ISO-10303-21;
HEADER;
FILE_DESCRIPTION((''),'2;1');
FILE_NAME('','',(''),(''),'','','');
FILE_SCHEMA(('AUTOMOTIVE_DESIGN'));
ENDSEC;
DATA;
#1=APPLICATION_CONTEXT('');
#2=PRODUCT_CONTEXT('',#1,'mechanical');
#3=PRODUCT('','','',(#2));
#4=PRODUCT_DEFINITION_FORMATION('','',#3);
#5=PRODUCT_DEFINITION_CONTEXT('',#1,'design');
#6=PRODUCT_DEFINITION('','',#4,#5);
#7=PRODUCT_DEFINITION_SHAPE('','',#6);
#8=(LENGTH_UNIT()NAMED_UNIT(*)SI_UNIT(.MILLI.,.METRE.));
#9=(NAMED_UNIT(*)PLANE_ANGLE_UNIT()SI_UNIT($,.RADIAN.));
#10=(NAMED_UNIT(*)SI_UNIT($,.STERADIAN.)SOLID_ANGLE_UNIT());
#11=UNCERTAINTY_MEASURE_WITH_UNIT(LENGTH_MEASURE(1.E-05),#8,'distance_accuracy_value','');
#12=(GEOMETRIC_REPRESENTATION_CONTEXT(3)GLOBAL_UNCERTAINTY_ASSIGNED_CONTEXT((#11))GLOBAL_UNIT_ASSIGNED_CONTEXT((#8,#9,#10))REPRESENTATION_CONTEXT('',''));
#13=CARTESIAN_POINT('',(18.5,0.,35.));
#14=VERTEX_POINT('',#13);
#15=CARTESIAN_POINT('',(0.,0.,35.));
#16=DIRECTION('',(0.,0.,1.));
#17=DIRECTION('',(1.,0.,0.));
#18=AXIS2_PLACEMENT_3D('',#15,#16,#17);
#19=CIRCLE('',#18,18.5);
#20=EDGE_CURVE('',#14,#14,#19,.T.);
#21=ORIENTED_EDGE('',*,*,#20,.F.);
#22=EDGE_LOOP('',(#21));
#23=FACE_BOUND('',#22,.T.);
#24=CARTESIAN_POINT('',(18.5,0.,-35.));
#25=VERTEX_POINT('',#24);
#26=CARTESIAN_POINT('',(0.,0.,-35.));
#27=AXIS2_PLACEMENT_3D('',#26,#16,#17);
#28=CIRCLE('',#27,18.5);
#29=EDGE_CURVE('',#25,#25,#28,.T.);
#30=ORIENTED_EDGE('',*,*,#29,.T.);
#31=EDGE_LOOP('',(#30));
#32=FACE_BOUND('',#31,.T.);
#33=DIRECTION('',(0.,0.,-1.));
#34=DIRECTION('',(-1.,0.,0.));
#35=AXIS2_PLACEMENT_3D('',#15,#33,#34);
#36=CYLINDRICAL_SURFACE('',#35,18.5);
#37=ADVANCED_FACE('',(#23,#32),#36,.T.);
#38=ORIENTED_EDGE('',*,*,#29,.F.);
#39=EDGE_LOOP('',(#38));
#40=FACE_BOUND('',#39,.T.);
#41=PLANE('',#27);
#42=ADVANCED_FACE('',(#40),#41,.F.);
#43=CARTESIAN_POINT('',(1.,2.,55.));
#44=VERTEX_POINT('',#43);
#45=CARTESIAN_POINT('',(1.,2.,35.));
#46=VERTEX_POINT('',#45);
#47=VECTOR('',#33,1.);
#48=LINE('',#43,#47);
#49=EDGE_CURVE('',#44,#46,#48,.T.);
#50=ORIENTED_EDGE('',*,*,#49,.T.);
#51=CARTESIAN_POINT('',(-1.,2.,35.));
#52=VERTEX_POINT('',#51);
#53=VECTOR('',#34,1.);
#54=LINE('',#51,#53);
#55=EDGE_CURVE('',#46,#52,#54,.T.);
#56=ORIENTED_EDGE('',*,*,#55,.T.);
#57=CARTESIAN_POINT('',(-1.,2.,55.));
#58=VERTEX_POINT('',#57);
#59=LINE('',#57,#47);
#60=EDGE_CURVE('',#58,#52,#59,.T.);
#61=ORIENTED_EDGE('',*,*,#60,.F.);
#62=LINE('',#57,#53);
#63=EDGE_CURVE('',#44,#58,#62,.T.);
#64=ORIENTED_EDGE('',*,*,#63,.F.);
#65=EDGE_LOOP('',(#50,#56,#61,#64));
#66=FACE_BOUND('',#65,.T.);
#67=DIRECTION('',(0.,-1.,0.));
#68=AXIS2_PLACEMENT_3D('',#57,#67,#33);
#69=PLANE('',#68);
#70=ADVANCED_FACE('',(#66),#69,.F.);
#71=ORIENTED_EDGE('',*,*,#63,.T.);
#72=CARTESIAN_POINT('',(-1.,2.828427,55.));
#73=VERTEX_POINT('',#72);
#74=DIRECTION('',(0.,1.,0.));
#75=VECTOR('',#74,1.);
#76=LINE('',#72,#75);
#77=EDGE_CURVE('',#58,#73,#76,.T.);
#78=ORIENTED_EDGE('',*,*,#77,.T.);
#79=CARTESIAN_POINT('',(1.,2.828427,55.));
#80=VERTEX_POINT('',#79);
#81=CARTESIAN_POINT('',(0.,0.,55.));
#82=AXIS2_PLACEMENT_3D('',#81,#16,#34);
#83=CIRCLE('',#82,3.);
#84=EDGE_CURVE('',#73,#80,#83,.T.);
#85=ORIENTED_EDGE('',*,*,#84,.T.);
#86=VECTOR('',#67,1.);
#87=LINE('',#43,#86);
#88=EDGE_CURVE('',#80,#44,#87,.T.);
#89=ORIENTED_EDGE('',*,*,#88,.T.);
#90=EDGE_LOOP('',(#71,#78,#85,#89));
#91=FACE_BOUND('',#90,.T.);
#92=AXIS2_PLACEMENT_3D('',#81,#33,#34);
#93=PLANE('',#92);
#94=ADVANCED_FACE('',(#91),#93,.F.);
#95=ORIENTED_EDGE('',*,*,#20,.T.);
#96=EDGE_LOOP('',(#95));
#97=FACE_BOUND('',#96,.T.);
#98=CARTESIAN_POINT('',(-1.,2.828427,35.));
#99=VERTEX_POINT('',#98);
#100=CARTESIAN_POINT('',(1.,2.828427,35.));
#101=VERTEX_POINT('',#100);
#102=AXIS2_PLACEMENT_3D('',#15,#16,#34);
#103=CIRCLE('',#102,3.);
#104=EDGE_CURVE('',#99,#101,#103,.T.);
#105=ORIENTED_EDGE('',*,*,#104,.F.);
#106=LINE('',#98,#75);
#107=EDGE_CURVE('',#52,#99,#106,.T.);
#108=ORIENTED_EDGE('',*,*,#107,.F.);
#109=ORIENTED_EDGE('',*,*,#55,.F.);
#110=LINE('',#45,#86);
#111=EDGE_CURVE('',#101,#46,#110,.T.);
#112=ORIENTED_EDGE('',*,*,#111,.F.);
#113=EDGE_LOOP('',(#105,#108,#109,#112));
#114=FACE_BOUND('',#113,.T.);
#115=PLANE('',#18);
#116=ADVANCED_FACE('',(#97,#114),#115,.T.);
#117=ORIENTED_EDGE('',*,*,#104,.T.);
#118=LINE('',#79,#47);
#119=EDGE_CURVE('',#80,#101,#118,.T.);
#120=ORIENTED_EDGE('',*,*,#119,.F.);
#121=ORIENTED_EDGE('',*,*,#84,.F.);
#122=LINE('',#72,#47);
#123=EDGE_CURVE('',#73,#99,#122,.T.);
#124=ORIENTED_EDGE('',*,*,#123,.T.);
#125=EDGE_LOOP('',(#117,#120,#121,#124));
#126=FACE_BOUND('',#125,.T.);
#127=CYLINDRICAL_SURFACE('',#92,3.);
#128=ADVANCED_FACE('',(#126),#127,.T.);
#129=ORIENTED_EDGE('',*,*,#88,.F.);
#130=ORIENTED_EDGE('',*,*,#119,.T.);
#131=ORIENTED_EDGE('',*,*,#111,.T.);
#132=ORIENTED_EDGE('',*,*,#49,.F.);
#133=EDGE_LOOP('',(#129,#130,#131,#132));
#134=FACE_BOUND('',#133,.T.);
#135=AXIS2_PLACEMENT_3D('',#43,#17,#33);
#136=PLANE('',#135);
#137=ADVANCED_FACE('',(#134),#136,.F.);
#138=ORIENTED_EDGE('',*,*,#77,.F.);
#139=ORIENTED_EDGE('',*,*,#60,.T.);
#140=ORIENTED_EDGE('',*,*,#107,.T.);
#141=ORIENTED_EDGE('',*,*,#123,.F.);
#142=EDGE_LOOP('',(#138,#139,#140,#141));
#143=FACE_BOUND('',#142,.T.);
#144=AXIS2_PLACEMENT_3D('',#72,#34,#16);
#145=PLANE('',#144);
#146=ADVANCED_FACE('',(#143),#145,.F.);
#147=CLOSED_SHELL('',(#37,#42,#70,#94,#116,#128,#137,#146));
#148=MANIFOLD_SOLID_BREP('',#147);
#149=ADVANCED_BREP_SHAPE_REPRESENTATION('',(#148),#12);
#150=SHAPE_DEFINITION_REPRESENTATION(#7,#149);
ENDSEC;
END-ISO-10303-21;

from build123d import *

# Parameters (mm, degrees)
SKETCH_1_R      = 18.5
EXTRUDE_1_DEPTH = 35
EXTRUDE_2_DEPTH = 20


with BuildPart() as part:
    # 草图1 → 凸台-拉伸1 (new, symmetric)
    with BuildSketch(Plane.XY):
        Circle(SKETCH_1_R)
    extrude(amount=EXTRUDE_1_DEPTH, both=True)

    # 草图2 → 凸台-拉伸2 (add)
    with BuildSketch(Plane.XY.offset(35)):
        with BuildLine():
            Line((-1, 2.828427125), (-1, 2))
            Line((-1, 2), (1, 2))
            Line((1, 2), (1, 2.828427125))
            ThreePointArc((1, 2.828427125), (0, -3), (-1, 2.828427125))
        make_face()
    extrude(amount=EXTRUDE_2_DEPTH)


solid = part.part
